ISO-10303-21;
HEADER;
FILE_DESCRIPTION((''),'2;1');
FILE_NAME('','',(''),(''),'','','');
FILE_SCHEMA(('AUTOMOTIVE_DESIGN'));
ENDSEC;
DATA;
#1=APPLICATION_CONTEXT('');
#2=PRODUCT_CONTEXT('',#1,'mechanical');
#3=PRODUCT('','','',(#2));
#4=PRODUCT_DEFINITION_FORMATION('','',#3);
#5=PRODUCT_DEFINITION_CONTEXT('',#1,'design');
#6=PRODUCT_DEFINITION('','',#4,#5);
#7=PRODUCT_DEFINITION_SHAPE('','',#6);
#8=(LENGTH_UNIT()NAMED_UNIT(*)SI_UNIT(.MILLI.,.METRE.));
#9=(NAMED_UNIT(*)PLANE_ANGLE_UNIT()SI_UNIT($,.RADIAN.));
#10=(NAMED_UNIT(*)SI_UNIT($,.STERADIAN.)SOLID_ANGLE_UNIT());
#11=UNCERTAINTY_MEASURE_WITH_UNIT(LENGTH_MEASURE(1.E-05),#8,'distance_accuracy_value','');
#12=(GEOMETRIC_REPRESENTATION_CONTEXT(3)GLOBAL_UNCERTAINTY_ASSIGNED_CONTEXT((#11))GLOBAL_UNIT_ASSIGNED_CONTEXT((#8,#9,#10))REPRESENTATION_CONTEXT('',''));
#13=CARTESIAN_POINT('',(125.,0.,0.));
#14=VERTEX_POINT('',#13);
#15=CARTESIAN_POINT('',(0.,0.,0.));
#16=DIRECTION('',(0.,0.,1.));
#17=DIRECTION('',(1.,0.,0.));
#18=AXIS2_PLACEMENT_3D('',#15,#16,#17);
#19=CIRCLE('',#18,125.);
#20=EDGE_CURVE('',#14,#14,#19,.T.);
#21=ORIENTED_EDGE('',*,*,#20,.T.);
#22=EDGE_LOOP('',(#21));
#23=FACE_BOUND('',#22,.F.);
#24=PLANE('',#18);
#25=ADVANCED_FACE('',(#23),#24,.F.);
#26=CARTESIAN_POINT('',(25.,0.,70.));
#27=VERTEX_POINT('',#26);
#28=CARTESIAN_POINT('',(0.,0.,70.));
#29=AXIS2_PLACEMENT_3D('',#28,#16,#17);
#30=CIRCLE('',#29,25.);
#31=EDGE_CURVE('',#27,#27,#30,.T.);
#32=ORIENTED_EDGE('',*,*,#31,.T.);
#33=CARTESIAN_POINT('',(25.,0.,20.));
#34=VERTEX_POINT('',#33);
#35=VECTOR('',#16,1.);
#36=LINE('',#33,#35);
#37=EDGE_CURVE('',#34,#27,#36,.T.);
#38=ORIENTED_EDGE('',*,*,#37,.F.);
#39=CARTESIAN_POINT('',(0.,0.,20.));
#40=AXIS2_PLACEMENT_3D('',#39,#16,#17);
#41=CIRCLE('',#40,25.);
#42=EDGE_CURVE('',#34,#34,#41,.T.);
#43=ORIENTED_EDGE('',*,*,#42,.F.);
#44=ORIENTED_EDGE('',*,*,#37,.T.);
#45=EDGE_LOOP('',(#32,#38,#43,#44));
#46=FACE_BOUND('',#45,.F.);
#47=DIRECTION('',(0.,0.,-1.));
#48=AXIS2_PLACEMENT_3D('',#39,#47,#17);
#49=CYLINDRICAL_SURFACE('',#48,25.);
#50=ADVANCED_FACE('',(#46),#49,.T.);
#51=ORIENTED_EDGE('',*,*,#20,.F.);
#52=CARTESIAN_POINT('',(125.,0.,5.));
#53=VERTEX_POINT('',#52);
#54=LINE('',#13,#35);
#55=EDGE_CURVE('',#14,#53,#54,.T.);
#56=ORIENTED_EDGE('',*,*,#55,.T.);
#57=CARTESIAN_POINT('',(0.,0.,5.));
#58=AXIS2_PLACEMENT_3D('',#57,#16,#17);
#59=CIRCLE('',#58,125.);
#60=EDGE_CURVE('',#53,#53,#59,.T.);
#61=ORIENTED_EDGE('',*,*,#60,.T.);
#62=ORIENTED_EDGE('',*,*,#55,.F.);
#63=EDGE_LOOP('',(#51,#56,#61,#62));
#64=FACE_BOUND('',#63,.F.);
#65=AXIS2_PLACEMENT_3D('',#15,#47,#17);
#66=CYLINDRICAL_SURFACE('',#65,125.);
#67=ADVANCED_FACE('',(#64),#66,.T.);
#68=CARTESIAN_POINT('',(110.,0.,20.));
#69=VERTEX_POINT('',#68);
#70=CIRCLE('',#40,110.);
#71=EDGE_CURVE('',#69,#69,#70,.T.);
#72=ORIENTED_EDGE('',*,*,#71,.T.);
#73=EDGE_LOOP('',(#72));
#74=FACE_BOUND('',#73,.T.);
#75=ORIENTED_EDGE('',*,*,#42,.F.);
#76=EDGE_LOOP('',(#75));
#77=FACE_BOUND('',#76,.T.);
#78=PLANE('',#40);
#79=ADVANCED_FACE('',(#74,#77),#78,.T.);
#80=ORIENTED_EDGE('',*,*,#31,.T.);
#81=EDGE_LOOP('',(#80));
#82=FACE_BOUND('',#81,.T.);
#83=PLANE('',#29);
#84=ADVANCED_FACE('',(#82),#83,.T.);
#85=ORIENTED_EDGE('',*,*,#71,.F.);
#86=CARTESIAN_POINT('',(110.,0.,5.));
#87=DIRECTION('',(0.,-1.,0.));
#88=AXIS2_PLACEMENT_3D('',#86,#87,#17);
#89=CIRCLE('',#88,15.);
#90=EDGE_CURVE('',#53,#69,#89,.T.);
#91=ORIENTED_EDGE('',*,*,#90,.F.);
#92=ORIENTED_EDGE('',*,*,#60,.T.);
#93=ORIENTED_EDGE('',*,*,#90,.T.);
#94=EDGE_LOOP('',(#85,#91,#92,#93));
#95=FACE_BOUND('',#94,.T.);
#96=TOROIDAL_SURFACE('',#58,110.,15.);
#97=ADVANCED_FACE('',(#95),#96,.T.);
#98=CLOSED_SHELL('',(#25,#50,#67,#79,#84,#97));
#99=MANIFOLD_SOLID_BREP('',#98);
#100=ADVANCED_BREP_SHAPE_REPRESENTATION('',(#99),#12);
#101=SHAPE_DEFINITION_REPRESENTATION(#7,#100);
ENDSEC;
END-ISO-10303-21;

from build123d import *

# Parameters (mm, degrees)
SKETCH_R     = 125
PAD_DEPTH    = 20
SKETCH001_R  = 25
PAD001_DEPTH = 50
FILLET006_R  = 15


with BuildPart() as part:
    # Sketch → Pad (new body)
    with BuildSketch(Plane.XY):
        Circle(SKETCH_R)
    extrude(amount=PAD_DEPTH)

    # Sketch001 (on Face3 of Pad) → Pad001 (join)
    with BuildSketch(Plane.XY.offset(20)):
        Circle(SKETCH001_R)
    extrude(amount=PAD001_DEPTH)

    # Fillet006
    fillet006_edges = [part.edges().sort_by_distance(p)[0] for p in [
        (-125, 0, 20),
    ]]
    fillet(fillet006_edges, radius=FILLET006_R)


solid = part.part
